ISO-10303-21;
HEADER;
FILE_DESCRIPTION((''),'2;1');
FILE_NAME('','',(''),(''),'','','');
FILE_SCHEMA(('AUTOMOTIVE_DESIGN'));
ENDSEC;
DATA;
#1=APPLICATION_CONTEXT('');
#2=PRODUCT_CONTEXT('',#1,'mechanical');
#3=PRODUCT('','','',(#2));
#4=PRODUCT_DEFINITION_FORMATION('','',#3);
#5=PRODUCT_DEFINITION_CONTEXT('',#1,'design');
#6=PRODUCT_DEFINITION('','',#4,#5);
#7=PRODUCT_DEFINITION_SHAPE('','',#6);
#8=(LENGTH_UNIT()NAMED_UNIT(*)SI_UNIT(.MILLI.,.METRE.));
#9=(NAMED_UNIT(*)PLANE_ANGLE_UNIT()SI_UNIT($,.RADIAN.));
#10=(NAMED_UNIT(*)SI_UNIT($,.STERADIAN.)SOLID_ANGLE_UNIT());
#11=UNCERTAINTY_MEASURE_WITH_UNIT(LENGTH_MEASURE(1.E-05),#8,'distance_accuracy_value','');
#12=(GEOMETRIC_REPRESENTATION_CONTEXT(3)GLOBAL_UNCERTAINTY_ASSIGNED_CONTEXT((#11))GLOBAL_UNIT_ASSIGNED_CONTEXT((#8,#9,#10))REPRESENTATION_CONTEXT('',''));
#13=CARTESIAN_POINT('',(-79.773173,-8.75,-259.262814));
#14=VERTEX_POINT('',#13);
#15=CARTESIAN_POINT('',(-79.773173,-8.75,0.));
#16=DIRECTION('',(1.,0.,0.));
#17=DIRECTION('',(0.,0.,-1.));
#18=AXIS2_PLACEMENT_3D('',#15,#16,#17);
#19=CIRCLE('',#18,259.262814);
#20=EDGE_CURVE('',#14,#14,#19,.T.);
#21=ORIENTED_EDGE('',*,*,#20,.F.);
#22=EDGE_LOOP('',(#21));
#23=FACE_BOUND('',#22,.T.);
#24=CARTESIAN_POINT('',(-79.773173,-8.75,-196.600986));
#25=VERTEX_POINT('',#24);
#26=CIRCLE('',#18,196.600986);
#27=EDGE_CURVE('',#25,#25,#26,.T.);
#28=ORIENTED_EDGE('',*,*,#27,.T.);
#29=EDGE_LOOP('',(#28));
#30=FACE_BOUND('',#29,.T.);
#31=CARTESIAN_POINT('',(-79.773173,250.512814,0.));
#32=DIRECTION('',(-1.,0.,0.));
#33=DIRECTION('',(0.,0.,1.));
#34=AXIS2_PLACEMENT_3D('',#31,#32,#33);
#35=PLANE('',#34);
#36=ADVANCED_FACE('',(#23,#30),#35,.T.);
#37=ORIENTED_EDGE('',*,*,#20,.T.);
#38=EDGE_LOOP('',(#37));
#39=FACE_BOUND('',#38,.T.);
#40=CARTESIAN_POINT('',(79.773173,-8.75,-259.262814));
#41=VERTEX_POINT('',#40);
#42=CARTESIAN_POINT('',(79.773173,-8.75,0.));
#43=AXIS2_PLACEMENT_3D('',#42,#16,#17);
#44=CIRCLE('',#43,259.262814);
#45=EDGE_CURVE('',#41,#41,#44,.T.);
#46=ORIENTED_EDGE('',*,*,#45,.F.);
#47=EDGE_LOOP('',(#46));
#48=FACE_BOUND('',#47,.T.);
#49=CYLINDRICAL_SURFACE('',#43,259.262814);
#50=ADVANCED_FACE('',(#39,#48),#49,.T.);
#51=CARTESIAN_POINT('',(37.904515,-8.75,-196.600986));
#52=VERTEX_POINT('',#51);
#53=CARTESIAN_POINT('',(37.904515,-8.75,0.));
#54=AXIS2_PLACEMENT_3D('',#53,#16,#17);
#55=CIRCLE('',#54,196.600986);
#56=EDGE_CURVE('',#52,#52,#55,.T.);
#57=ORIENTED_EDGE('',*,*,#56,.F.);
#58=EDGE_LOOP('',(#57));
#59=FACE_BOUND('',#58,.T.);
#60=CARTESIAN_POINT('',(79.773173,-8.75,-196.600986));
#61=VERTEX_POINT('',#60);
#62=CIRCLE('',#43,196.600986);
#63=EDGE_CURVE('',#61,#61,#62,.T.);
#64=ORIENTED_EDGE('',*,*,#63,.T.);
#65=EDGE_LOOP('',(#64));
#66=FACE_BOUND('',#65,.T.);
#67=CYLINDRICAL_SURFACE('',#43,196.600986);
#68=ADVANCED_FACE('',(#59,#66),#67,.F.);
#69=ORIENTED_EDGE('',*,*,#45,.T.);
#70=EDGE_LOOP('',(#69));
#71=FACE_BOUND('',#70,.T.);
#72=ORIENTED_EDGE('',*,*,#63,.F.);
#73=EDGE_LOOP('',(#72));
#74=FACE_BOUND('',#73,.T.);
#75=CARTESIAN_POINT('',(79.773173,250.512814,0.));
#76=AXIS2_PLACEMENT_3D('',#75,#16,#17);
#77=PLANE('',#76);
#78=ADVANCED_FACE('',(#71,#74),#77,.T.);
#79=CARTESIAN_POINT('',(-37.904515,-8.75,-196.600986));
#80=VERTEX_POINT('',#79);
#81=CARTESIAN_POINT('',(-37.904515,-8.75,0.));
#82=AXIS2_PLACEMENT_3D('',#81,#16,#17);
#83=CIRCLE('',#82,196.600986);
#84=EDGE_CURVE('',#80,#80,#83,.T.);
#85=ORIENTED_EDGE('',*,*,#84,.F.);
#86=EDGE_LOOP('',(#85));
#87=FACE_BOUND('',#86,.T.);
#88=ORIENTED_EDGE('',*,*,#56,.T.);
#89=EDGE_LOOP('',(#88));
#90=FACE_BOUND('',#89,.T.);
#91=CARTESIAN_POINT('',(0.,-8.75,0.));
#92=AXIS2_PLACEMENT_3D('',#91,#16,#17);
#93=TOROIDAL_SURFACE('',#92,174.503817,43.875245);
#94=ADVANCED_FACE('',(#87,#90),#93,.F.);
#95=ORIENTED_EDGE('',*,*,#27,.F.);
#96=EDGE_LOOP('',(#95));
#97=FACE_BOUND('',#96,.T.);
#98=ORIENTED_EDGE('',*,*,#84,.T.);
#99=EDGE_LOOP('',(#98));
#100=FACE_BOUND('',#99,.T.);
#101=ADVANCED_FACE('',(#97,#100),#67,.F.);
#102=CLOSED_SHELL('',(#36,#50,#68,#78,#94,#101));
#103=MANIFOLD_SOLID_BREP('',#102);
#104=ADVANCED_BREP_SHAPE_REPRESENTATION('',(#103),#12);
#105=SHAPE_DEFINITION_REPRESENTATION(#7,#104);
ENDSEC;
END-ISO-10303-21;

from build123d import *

# Parameters (mm, degrees)
SCALE2_SCALE = 6
SCALE3_SCALE = 3.323882225


with BuildPart() as part:
    # Sketch1 → Revolve1 (revolve)
    with BuildSketch(Plane.XY, mode=Mode.PRIVATE) as revolve1_sk:
        with BuildLine():
            Line((0, 4.25), (4, 4.25))
            Line((4, 4.25), (4, 1.108))
            Line((4, 1.108), (1.900614637, 1.108))
            ThreePointArc((1.900614637, 1.108), (0, 2.2), (-1.900614637, 1.108))
            Line((-1.900614637, 1.108), (-4, 1.108))
            Line((-4, 1.108), (-4, 4.25))
            Line((-4, 4.25), (0, 4.25))
        make_face()
    revolve(revolve1_sk.sketch.rotate(Axis((4, -8.75, 0), (-1, 0, 0)), 90), axis=Axis((4, -8.75, 0), (-1, 0, 0)))


with BuildPart() as part_1:
    # Scale2: scaled about (0, -8.75, 0)
    add(part.part.scale(SCALE2_SCALE).moved(Location((0, 43.75, 0))))


with BuildPart() as part_2:
    # Scale3: scaled about (0, -8.75, 0)
    add(part_1.part.scale(SCALE3_SCALE).moved(Location((0, 20.333969466, 0))))


solid = part_2.part
